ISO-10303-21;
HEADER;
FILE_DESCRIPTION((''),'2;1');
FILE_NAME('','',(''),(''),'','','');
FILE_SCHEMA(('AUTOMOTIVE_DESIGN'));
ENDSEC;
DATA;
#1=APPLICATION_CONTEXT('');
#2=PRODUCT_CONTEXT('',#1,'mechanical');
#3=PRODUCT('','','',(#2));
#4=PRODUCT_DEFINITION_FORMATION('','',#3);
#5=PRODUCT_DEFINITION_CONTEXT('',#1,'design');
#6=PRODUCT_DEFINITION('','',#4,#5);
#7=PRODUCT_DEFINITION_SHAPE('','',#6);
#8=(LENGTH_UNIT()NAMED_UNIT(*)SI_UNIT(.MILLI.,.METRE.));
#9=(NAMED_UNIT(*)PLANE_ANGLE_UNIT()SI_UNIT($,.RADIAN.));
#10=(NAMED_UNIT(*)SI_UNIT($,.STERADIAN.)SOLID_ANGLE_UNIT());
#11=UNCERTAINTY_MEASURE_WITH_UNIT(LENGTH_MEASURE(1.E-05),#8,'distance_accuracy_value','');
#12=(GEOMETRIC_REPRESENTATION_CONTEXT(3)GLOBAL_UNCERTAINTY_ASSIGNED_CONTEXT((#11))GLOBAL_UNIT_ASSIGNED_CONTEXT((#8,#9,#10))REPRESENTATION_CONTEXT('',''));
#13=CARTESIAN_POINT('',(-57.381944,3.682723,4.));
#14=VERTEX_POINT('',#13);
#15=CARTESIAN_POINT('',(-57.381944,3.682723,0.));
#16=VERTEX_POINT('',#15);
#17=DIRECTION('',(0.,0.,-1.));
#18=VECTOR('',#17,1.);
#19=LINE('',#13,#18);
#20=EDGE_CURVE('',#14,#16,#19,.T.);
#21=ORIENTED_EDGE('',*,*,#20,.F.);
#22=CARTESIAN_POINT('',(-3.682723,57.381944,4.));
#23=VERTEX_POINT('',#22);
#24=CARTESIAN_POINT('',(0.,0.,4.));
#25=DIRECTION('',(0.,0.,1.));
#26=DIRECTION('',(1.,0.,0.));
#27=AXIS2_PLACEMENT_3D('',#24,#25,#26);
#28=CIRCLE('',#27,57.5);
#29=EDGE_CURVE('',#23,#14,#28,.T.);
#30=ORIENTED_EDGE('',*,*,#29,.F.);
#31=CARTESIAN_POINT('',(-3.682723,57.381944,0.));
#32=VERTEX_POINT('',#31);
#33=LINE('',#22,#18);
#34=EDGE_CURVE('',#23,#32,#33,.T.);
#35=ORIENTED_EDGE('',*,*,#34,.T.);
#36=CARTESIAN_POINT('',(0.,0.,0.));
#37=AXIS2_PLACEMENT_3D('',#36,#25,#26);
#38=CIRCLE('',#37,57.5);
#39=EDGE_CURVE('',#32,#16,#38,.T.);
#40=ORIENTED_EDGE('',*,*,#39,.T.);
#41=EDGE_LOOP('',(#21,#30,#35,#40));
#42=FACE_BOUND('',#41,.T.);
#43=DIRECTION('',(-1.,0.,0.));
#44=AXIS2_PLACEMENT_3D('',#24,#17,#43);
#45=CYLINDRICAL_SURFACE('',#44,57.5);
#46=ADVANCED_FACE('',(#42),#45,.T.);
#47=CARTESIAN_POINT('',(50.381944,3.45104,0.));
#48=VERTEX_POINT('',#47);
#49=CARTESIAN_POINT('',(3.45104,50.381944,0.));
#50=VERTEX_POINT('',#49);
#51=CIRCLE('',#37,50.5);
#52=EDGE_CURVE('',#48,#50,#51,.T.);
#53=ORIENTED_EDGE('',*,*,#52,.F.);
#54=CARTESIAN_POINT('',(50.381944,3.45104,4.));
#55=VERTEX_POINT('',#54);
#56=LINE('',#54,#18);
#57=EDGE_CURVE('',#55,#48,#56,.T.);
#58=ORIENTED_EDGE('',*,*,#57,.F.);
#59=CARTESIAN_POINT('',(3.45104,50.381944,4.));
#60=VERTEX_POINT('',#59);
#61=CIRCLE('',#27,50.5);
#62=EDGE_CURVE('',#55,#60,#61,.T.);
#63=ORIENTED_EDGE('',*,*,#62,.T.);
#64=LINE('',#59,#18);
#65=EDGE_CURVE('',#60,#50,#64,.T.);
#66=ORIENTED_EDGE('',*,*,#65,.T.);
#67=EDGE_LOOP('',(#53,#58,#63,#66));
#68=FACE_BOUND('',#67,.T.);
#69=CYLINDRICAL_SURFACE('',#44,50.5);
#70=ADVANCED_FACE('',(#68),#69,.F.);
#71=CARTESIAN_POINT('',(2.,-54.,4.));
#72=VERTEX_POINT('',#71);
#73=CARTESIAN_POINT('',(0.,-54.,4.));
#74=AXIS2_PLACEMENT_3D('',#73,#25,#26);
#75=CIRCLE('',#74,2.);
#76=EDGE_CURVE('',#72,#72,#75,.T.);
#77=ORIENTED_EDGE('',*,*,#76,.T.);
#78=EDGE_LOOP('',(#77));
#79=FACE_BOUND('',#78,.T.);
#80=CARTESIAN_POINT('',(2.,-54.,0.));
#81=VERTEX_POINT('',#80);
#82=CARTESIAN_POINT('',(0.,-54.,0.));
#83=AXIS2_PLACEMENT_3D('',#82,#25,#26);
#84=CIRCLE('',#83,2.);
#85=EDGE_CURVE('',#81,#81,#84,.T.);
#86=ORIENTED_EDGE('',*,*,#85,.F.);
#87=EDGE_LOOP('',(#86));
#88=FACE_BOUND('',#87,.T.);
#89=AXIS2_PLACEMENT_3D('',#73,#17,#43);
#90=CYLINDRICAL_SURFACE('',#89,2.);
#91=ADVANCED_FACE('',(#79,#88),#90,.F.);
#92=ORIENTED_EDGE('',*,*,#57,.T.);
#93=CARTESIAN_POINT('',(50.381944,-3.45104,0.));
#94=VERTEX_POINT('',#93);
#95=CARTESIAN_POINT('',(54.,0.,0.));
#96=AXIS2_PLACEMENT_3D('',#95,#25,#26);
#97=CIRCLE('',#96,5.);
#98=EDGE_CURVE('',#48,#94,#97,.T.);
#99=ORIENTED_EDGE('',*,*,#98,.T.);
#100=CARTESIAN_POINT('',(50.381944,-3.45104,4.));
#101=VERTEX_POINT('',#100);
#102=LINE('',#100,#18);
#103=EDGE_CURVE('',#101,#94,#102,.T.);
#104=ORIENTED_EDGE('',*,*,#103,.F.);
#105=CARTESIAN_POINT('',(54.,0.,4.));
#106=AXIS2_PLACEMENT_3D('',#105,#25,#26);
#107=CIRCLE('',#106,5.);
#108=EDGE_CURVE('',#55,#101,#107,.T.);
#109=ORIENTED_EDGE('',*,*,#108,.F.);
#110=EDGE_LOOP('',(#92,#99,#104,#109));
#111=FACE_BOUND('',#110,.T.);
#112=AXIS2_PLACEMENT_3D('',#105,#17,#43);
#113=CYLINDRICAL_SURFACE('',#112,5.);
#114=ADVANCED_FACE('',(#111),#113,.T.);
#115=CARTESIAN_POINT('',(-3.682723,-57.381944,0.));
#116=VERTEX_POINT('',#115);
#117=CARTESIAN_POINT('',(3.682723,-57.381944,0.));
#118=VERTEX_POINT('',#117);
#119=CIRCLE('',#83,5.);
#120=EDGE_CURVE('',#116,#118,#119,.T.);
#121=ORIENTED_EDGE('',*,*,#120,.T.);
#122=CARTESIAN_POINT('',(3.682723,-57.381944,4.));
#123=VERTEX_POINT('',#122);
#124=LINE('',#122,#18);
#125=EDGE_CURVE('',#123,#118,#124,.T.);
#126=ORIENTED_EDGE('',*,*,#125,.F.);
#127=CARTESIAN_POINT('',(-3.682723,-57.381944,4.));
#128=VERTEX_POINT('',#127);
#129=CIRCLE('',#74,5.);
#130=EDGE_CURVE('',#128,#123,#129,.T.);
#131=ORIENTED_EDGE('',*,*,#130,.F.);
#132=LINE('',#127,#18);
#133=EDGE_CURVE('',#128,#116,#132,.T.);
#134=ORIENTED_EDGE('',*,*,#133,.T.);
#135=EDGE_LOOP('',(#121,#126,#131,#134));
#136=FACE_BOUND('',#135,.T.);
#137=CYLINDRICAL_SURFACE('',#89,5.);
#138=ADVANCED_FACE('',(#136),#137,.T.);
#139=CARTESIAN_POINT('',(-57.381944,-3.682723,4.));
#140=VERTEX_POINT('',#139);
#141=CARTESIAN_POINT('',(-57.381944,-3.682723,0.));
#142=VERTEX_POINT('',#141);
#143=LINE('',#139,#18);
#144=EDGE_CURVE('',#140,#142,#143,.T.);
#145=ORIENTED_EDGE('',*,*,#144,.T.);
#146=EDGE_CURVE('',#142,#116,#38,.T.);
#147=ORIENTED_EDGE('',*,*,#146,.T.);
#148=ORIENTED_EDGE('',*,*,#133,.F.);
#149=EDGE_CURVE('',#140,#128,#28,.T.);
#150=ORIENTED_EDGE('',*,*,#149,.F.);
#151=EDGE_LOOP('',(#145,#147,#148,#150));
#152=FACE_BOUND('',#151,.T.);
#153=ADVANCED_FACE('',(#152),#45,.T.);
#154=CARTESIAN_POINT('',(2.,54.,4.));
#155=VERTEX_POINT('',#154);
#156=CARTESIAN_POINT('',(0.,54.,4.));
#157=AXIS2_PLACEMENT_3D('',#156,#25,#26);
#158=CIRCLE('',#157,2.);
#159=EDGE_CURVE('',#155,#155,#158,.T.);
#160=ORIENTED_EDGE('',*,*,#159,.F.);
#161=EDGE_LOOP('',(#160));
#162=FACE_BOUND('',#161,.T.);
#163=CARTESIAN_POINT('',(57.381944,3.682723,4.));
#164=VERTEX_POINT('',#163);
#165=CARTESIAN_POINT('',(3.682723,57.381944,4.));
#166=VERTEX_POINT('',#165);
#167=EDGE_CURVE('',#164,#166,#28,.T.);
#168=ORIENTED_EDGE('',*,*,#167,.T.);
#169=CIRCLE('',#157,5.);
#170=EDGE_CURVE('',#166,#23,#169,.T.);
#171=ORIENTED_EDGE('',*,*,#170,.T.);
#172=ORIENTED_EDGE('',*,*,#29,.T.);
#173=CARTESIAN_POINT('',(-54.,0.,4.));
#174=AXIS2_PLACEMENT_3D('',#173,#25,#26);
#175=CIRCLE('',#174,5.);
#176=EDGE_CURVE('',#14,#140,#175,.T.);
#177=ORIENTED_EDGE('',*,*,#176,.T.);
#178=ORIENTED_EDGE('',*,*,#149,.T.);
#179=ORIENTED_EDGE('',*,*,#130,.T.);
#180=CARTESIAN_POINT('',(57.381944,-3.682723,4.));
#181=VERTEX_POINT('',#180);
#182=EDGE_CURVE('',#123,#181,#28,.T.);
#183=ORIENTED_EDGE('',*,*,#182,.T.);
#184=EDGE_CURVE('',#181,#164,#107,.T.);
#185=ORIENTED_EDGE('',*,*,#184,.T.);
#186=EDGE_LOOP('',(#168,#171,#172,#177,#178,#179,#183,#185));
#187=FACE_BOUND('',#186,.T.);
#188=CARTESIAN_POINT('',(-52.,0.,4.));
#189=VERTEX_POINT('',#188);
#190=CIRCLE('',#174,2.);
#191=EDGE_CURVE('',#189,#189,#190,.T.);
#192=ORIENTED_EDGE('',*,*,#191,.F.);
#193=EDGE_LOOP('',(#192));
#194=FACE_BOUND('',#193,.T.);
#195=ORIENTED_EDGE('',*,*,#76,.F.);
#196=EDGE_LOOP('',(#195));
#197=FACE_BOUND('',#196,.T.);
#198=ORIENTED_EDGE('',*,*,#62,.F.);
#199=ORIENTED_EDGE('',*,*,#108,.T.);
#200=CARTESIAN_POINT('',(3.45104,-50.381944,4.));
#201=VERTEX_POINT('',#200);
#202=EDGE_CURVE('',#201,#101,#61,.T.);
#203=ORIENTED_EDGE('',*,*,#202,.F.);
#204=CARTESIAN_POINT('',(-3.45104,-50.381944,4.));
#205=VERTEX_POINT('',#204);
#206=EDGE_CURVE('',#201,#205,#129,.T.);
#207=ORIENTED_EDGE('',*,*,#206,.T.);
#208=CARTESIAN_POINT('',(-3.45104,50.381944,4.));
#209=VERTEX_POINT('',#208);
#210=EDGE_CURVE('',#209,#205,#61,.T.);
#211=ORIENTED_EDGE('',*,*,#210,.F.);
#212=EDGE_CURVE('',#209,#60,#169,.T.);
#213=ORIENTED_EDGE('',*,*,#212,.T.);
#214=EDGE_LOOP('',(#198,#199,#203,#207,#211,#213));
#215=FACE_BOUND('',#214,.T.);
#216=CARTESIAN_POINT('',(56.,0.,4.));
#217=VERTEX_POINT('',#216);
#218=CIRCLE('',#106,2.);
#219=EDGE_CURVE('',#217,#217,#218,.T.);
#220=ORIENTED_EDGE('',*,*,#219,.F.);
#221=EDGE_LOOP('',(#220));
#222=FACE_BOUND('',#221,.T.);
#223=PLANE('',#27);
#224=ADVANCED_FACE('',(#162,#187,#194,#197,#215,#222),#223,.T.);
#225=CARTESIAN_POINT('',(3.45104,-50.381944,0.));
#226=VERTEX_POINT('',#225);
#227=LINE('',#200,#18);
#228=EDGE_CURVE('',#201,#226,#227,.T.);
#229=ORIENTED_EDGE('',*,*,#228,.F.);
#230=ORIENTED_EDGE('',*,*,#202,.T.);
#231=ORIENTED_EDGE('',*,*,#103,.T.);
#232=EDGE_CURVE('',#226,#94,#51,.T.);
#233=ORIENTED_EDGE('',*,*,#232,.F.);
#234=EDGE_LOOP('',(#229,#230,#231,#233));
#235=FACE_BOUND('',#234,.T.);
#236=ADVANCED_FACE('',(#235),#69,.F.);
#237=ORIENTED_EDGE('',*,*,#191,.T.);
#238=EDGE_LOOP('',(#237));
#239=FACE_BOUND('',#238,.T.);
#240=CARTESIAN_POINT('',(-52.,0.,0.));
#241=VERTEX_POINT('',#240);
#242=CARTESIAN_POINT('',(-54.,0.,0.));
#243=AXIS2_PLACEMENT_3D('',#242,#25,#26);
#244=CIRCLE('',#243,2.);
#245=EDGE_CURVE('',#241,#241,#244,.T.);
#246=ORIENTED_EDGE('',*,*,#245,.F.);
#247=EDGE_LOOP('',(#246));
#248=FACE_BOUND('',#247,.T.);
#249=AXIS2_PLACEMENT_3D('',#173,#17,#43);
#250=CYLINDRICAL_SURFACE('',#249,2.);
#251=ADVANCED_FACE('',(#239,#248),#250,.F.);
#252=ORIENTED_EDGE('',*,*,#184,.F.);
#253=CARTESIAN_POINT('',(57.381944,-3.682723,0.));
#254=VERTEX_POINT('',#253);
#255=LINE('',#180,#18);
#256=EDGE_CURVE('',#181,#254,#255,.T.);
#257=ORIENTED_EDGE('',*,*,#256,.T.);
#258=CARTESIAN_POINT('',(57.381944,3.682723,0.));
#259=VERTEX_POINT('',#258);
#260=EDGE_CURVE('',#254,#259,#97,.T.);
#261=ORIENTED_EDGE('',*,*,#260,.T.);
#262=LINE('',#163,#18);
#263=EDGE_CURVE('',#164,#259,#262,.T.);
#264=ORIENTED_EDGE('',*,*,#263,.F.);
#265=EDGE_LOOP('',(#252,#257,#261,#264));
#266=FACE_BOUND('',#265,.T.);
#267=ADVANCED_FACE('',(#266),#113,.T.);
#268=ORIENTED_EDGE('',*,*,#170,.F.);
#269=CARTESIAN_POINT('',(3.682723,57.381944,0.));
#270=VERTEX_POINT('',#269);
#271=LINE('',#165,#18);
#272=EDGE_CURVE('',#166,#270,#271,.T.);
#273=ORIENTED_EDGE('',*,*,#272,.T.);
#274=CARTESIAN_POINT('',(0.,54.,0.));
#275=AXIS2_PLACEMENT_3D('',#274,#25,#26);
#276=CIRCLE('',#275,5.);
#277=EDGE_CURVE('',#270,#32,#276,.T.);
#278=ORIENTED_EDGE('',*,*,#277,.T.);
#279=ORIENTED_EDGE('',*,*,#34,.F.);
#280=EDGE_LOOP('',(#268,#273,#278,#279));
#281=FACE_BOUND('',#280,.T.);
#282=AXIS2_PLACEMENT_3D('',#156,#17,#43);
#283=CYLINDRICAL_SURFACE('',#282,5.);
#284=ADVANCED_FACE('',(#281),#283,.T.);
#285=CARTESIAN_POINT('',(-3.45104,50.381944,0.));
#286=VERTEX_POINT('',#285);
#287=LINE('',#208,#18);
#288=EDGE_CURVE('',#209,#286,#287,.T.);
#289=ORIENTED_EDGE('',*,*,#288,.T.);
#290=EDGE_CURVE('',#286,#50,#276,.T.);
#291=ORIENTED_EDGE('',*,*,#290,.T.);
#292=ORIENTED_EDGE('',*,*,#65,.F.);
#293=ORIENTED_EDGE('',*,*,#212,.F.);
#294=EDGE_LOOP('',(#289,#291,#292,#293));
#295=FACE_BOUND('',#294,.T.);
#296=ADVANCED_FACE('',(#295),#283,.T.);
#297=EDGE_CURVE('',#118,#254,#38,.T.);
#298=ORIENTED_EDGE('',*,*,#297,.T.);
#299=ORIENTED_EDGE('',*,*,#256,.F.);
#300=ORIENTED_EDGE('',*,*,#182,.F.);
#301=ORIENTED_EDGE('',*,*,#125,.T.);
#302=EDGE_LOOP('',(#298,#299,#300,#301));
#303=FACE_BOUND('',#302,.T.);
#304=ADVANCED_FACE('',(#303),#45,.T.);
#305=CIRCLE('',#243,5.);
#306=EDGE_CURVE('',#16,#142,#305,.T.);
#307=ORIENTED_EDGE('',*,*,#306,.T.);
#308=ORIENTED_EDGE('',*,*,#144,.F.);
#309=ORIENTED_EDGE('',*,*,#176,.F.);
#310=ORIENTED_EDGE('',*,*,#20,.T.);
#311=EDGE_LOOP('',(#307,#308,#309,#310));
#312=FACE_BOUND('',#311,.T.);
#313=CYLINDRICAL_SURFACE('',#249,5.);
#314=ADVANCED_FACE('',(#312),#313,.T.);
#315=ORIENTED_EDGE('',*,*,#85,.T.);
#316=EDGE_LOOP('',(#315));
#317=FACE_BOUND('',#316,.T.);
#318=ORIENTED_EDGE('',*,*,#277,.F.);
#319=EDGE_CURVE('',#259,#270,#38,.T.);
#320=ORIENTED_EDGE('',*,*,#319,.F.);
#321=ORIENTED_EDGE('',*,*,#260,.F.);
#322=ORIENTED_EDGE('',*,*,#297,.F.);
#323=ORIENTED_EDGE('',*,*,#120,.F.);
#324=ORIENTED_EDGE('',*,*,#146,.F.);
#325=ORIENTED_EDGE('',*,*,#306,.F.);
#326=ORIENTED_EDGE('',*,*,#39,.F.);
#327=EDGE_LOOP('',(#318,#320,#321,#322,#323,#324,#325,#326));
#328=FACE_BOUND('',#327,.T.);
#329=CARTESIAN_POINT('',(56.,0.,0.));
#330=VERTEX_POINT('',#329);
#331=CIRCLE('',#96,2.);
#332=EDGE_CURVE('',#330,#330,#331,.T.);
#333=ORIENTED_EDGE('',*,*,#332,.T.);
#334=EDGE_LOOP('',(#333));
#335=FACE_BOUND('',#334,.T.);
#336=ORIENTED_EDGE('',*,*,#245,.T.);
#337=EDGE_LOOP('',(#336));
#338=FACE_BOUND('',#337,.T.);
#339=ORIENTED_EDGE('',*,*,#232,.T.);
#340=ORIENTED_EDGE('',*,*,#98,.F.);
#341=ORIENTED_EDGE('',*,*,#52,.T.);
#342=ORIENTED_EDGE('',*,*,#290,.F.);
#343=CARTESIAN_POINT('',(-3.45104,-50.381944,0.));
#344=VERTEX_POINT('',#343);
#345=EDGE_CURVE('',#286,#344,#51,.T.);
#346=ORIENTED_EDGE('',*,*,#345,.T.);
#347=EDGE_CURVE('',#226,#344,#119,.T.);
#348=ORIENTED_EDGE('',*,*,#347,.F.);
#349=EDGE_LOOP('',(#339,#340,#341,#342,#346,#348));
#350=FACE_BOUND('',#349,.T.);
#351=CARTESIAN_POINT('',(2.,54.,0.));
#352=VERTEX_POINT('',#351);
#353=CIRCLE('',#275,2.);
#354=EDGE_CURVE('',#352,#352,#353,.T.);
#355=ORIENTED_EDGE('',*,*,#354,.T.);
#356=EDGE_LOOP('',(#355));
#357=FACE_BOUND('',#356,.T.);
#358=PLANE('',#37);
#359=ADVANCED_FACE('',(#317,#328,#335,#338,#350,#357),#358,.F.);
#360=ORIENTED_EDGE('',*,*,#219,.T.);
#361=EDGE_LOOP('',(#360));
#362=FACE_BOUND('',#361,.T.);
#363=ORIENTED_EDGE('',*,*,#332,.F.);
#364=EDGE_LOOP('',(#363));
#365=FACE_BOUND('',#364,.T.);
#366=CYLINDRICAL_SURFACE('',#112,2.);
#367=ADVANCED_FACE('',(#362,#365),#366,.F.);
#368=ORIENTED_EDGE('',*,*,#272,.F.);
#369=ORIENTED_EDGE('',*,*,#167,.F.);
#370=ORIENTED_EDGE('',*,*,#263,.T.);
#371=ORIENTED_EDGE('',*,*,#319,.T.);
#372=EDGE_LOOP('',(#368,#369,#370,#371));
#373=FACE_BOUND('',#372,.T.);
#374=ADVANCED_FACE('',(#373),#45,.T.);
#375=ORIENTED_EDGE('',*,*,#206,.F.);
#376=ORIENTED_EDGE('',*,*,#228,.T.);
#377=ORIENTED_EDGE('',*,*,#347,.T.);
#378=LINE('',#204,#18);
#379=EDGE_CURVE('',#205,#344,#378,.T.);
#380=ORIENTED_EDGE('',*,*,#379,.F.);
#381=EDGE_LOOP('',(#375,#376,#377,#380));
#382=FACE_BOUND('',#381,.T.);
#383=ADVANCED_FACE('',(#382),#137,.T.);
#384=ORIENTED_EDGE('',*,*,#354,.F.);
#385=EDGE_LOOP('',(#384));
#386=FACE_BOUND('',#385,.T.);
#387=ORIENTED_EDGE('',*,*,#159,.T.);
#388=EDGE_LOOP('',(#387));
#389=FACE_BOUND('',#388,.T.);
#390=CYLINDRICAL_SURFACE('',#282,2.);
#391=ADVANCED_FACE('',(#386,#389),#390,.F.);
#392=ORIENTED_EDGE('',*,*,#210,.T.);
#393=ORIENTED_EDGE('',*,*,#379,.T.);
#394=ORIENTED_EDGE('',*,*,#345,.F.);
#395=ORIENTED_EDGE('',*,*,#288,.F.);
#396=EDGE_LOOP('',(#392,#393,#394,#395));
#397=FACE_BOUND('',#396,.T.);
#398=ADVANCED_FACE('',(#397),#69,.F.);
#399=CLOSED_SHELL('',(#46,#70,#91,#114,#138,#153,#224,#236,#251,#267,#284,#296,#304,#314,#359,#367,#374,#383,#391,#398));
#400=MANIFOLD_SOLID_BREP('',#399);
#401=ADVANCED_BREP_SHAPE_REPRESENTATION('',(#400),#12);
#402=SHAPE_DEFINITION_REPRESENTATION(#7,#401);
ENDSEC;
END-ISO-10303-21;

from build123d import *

# Parameters (mm, degrees)
CROQUIS1_R              = 2
SALIENTE_EXTRUIR1_DEPTH = 4


with BuildPart() as part:
    # Croquis1 → Saliente-Extruir1 (new body)
    with BuildSketch(Plane.XY):
        with BuildLine():
            ThreePointArc((57.381944444, -3.682723418), (59, 0), (57.381944444, 3.682723418))
            ThreePointArc((57.381944444, 3.682723418), (40.658639918, 40.658639918), (3.682723418, 57.381944444))
            ThreePointArc((3.682723418, 57.381944444), (0, 59), (-3.682723418, 57.381944444))
            ThreePointArc((-3.682723418, 57.381944444), (-40.658639918, 40.658639918), (-57.381944444, 3.682723418))
            ThreePointArc((-57.381944444, 3.682723418), (-59, 0), (-57.381944444, -3.682723418))
            ThreePointArc((-57.381944444, -3.682723418), (-40.658639918, -40.658639918), (-3.682723418, -57.381944444))
            ThreePointArc((-3.682723418, -57.381944444), (0, -59), (3.682723418, -57.381944444))
            ThreePointArc((3.682723418, -57.381944444), (40.658639918, -40.658639918), (57.381944444, -3.682723418))
        make_face()
        with BuildLine():
            ThreePointArc((-3.451039553, 50.381944444), (0, 49), (3.451039553, 50.381944444))
            ThreePointArc((3.451039553, 50.381944444), (35.70889245, 35.70889245), (50.381944444, 3.451039553))
            ThreePointArc((50.381944444, 3.451039553), (49, 0), (50.381944444, -3.451039553))
            ThreePointArc((50.381944444, -3.451039553), (35.70889245, -35.70889245), (3.451039553, -50.381944444))
            ThreePointArc((3.451039553, -50.381944444), (0, -49), (-3.451039553, -50.381944444))
            ThreePointArc((-3.451039553, -50.381944444), (-50.5, 0), (-3.451039553, 50.381944444))
        make_face(mode=Mode.SUBTRACT)
        with Locations((54, 0)):
            Circle(CROQUIS1_R, mode=Mode.SUBTRACT)
        with Locations((0, 54)):
            Circle(CROQUIS1_R, mode=Mode.SUBTRACT)
        with Locations((0, -54)):
            Circle(CROQUIS1_R, mode=Mode.SUBTRACT)
        with Locations((-54, 0)):
            Circle(CROQUIS1_R, mode=Mode.SUBTRACT)
    extrude(amount=SALIENTE_EXTRUIR1_DEPTH)


solid = part.part
